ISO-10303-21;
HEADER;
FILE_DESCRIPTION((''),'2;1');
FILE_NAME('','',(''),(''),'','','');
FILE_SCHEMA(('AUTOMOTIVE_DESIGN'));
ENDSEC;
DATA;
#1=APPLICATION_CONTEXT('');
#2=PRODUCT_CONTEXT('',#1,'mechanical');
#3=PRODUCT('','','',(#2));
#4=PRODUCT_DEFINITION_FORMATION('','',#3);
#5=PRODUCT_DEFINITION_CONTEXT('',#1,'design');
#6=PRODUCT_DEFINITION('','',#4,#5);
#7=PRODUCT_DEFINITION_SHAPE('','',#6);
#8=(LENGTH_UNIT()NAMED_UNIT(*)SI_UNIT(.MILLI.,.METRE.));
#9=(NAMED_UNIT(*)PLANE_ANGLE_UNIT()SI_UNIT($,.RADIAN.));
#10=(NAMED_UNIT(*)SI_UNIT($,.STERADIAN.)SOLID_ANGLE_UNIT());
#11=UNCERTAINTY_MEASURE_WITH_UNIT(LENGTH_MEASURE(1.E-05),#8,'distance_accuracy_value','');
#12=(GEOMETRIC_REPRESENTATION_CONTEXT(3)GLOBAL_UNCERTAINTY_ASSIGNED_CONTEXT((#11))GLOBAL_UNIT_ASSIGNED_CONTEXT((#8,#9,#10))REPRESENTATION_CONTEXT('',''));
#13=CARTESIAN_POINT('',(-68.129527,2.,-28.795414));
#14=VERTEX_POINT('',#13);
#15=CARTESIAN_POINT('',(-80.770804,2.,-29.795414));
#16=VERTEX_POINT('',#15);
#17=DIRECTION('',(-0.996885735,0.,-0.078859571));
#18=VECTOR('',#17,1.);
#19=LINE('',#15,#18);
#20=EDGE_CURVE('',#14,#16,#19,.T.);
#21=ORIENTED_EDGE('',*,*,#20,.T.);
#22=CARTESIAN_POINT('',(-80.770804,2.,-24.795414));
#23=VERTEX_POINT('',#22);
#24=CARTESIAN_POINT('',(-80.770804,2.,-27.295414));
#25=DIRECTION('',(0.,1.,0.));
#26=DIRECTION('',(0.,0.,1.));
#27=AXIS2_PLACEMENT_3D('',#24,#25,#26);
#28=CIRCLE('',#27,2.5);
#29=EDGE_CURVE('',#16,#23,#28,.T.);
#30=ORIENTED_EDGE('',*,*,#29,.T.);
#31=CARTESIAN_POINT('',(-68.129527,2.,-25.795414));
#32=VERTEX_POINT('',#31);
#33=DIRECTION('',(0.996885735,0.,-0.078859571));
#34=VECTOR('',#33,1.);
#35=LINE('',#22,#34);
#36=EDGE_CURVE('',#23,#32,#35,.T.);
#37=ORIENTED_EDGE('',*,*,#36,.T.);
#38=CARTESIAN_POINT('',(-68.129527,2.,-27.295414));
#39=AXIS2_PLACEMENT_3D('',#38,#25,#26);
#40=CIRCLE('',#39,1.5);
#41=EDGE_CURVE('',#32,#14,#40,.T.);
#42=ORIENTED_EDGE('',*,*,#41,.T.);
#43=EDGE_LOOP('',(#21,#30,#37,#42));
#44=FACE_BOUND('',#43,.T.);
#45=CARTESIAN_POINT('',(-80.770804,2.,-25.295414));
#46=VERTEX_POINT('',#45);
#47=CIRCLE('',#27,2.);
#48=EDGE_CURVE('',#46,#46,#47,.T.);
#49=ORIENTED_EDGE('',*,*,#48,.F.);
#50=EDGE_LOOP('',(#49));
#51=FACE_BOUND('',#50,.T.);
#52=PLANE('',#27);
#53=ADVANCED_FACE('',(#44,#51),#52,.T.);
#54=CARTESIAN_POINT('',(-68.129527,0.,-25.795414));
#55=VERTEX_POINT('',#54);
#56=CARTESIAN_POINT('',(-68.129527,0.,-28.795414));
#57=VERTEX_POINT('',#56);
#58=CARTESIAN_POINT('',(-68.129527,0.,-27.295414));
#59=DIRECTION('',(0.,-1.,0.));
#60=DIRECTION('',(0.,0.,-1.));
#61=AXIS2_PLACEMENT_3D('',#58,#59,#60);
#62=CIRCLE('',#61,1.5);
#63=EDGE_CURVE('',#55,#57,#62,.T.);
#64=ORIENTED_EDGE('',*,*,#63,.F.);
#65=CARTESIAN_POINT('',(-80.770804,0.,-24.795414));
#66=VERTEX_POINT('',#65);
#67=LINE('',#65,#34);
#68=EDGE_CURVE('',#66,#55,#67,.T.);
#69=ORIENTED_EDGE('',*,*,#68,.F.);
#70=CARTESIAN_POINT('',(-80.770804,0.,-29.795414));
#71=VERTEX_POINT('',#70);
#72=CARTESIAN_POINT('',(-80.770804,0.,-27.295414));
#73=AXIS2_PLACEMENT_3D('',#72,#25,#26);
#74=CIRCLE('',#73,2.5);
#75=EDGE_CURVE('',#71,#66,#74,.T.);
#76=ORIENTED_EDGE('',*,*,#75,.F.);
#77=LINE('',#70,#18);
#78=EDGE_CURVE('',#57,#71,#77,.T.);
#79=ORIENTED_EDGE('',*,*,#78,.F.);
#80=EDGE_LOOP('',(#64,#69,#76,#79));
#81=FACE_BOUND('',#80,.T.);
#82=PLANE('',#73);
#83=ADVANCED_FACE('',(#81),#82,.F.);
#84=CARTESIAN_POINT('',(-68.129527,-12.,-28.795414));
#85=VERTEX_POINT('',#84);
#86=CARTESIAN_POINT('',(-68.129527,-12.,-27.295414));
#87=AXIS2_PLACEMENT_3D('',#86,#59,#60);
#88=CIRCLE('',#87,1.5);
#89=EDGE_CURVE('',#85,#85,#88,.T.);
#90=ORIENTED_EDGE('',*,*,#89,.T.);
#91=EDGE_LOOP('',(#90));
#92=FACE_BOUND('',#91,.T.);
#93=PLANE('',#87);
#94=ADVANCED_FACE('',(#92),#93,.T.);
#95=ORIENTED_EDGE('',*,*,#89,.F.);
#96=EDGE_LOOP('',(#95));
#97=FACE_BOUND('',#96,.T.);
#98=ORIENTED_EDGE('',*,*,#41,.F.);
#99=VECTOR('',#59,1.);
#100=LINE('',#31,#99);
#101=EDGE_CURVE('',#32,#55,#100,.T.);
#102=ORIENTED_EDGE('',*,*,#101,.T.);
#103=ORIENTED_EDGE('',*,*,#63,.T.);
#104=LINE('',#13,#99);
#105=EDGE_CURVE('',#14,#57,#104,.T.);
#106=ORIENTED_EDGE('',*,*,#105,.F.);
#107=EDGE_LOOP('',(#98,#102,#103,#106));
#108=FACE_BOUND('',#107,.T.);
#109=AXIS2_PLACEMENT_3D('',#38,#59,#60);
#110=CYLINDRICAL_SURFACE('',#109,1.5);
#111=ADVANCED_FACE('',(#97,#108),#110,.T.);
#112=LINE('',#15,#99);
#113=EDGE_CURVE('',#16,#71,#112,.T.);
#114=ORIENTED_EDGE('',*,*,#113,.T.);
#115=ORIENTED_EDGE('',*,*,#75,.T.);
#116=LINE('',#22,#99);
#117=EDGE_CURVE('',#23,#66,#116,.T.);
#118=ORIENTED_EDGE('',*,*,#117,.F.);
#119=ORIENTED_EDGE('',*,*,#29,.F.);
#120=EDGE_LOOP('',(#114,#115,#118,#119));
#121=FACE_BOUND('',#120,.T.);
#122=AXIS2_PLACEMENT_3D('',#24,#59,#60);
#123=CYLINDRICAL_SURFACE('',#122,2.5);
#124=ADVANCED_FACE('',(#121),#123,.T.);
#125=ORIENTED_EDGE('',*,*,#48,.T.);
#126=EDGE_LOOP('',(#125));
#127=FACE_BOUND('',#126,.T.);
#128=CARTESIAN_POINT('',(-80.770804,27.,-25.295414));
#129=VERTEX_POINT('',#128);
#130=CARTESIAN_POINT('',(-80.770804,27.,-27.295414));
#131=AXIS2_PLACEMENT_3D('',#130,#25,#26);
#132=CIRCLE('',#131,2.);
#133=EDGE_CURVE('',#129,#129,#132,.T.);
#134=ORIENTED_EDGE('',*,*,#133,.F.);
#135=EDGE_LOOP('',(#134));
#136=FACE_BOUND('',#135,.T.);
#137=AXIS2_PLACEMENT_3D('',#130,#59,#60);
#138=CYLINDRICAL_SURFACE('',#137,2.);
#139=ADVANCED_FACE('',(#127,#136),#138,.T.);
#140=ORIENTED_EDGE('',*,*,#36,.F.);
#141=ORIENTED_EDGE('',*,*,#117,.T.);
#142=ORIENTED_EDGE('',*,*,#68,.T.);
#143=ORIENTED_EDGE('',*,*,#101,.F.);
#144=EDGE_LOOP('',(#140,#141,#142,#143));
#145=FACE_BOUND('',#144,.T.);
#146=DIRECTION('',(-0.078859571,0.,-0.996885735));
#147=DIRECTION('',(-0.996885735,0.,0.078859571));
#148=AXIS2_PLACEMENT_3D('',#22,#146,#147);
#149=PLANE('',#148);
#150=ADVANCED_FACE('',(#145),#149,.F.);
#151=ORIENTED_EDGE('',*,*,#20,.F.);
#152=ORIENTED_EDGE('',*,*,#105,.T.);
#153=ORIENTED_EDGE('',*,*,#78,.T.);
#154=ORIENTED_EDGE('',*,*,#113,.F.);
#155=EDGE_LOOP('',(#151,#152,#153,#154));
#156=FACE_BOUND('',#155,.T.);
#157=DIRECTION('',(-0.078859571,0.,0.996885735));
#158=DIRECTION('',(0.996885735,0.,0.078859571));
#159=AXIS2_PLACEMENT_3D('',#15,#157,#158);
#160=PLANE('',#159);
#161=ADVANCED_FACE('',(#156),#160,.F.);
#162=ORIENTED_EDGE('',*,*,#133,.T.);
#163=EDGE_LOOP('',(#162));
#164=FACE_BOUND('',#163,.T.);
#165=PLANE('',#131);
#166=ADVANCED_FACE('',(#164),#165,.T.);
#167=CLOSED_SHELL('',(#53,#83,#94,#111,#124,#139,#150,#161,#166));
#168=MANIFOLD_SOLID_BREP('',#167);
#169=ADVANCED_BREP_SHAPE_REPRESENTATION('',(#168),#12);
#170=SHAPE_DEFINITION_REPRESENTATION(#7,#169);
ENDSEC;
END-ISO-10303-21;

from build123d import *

# Parameters (mm, degrees)
BOSS_EXTRUDE5_DEPTH = 2
SKETCH5_R           = 2
BOSS_EXTRUDE6_DEPTH = 25
BOSS_EXTRUDE7_START = 12
SKETCH6_R           = 1.5
BOSS_EXTRUDE7_DEPTH = 12


with BuildPart() as part:
    # Sketch1 → Boss-Extrude5 (new body)
    with BuildSketch(Plane(origin=(0, 0, 0), x_dir=(1, 0, 0), z_dir=(0, 1, 0))):
        with BuildLine():
            Line((-80.770804267, 29.795413952), (-68.129526639, 28.795413952))
            ThreePointArc((-68.129526639, 28.795413952), (-66.629526639, 27.295413952), (-68.129526639, 25.795413952))
            Line((-68.129526639, 25.795413952), (-80.770804267, 24.795413952))
            ThreePointArc((-80.770804267, 24.795413952), (-83.270804267, 27.295413952), (-80.770804267, 29.795413952))
        make_face()
    extrude(amount=BOSS_EXTRUDE5_DEPTH)

    # Sketch5 → Boss-Extrude6 (add)
    with BuildSketch(Plane(origin=(0, 2, 0), x_dir=(1, 0, 0), z_dir=(0, 1, 0))):
        with Locations(Location((-80.770804267, 27.295413952, 0), (0, 0, 270))):
            Circle(SKETCH5_R)
    extrude(amount=BOSS_EXTRUDE6_DEPTH)

    # Sketch6 → Boss-Extrude7 (add)
    with BuildSketch(Plane.XZ.offset(BOSS_EXTRUDE7_START)):
        with Locations(Location((-68.129526639, -27.295413952, 0), (0, 0, 270))):
            Circle(SKETCH6_R)
    extrude(amount=-BOSS_EXTRUDE7_DEPTH)


solid = part.part
